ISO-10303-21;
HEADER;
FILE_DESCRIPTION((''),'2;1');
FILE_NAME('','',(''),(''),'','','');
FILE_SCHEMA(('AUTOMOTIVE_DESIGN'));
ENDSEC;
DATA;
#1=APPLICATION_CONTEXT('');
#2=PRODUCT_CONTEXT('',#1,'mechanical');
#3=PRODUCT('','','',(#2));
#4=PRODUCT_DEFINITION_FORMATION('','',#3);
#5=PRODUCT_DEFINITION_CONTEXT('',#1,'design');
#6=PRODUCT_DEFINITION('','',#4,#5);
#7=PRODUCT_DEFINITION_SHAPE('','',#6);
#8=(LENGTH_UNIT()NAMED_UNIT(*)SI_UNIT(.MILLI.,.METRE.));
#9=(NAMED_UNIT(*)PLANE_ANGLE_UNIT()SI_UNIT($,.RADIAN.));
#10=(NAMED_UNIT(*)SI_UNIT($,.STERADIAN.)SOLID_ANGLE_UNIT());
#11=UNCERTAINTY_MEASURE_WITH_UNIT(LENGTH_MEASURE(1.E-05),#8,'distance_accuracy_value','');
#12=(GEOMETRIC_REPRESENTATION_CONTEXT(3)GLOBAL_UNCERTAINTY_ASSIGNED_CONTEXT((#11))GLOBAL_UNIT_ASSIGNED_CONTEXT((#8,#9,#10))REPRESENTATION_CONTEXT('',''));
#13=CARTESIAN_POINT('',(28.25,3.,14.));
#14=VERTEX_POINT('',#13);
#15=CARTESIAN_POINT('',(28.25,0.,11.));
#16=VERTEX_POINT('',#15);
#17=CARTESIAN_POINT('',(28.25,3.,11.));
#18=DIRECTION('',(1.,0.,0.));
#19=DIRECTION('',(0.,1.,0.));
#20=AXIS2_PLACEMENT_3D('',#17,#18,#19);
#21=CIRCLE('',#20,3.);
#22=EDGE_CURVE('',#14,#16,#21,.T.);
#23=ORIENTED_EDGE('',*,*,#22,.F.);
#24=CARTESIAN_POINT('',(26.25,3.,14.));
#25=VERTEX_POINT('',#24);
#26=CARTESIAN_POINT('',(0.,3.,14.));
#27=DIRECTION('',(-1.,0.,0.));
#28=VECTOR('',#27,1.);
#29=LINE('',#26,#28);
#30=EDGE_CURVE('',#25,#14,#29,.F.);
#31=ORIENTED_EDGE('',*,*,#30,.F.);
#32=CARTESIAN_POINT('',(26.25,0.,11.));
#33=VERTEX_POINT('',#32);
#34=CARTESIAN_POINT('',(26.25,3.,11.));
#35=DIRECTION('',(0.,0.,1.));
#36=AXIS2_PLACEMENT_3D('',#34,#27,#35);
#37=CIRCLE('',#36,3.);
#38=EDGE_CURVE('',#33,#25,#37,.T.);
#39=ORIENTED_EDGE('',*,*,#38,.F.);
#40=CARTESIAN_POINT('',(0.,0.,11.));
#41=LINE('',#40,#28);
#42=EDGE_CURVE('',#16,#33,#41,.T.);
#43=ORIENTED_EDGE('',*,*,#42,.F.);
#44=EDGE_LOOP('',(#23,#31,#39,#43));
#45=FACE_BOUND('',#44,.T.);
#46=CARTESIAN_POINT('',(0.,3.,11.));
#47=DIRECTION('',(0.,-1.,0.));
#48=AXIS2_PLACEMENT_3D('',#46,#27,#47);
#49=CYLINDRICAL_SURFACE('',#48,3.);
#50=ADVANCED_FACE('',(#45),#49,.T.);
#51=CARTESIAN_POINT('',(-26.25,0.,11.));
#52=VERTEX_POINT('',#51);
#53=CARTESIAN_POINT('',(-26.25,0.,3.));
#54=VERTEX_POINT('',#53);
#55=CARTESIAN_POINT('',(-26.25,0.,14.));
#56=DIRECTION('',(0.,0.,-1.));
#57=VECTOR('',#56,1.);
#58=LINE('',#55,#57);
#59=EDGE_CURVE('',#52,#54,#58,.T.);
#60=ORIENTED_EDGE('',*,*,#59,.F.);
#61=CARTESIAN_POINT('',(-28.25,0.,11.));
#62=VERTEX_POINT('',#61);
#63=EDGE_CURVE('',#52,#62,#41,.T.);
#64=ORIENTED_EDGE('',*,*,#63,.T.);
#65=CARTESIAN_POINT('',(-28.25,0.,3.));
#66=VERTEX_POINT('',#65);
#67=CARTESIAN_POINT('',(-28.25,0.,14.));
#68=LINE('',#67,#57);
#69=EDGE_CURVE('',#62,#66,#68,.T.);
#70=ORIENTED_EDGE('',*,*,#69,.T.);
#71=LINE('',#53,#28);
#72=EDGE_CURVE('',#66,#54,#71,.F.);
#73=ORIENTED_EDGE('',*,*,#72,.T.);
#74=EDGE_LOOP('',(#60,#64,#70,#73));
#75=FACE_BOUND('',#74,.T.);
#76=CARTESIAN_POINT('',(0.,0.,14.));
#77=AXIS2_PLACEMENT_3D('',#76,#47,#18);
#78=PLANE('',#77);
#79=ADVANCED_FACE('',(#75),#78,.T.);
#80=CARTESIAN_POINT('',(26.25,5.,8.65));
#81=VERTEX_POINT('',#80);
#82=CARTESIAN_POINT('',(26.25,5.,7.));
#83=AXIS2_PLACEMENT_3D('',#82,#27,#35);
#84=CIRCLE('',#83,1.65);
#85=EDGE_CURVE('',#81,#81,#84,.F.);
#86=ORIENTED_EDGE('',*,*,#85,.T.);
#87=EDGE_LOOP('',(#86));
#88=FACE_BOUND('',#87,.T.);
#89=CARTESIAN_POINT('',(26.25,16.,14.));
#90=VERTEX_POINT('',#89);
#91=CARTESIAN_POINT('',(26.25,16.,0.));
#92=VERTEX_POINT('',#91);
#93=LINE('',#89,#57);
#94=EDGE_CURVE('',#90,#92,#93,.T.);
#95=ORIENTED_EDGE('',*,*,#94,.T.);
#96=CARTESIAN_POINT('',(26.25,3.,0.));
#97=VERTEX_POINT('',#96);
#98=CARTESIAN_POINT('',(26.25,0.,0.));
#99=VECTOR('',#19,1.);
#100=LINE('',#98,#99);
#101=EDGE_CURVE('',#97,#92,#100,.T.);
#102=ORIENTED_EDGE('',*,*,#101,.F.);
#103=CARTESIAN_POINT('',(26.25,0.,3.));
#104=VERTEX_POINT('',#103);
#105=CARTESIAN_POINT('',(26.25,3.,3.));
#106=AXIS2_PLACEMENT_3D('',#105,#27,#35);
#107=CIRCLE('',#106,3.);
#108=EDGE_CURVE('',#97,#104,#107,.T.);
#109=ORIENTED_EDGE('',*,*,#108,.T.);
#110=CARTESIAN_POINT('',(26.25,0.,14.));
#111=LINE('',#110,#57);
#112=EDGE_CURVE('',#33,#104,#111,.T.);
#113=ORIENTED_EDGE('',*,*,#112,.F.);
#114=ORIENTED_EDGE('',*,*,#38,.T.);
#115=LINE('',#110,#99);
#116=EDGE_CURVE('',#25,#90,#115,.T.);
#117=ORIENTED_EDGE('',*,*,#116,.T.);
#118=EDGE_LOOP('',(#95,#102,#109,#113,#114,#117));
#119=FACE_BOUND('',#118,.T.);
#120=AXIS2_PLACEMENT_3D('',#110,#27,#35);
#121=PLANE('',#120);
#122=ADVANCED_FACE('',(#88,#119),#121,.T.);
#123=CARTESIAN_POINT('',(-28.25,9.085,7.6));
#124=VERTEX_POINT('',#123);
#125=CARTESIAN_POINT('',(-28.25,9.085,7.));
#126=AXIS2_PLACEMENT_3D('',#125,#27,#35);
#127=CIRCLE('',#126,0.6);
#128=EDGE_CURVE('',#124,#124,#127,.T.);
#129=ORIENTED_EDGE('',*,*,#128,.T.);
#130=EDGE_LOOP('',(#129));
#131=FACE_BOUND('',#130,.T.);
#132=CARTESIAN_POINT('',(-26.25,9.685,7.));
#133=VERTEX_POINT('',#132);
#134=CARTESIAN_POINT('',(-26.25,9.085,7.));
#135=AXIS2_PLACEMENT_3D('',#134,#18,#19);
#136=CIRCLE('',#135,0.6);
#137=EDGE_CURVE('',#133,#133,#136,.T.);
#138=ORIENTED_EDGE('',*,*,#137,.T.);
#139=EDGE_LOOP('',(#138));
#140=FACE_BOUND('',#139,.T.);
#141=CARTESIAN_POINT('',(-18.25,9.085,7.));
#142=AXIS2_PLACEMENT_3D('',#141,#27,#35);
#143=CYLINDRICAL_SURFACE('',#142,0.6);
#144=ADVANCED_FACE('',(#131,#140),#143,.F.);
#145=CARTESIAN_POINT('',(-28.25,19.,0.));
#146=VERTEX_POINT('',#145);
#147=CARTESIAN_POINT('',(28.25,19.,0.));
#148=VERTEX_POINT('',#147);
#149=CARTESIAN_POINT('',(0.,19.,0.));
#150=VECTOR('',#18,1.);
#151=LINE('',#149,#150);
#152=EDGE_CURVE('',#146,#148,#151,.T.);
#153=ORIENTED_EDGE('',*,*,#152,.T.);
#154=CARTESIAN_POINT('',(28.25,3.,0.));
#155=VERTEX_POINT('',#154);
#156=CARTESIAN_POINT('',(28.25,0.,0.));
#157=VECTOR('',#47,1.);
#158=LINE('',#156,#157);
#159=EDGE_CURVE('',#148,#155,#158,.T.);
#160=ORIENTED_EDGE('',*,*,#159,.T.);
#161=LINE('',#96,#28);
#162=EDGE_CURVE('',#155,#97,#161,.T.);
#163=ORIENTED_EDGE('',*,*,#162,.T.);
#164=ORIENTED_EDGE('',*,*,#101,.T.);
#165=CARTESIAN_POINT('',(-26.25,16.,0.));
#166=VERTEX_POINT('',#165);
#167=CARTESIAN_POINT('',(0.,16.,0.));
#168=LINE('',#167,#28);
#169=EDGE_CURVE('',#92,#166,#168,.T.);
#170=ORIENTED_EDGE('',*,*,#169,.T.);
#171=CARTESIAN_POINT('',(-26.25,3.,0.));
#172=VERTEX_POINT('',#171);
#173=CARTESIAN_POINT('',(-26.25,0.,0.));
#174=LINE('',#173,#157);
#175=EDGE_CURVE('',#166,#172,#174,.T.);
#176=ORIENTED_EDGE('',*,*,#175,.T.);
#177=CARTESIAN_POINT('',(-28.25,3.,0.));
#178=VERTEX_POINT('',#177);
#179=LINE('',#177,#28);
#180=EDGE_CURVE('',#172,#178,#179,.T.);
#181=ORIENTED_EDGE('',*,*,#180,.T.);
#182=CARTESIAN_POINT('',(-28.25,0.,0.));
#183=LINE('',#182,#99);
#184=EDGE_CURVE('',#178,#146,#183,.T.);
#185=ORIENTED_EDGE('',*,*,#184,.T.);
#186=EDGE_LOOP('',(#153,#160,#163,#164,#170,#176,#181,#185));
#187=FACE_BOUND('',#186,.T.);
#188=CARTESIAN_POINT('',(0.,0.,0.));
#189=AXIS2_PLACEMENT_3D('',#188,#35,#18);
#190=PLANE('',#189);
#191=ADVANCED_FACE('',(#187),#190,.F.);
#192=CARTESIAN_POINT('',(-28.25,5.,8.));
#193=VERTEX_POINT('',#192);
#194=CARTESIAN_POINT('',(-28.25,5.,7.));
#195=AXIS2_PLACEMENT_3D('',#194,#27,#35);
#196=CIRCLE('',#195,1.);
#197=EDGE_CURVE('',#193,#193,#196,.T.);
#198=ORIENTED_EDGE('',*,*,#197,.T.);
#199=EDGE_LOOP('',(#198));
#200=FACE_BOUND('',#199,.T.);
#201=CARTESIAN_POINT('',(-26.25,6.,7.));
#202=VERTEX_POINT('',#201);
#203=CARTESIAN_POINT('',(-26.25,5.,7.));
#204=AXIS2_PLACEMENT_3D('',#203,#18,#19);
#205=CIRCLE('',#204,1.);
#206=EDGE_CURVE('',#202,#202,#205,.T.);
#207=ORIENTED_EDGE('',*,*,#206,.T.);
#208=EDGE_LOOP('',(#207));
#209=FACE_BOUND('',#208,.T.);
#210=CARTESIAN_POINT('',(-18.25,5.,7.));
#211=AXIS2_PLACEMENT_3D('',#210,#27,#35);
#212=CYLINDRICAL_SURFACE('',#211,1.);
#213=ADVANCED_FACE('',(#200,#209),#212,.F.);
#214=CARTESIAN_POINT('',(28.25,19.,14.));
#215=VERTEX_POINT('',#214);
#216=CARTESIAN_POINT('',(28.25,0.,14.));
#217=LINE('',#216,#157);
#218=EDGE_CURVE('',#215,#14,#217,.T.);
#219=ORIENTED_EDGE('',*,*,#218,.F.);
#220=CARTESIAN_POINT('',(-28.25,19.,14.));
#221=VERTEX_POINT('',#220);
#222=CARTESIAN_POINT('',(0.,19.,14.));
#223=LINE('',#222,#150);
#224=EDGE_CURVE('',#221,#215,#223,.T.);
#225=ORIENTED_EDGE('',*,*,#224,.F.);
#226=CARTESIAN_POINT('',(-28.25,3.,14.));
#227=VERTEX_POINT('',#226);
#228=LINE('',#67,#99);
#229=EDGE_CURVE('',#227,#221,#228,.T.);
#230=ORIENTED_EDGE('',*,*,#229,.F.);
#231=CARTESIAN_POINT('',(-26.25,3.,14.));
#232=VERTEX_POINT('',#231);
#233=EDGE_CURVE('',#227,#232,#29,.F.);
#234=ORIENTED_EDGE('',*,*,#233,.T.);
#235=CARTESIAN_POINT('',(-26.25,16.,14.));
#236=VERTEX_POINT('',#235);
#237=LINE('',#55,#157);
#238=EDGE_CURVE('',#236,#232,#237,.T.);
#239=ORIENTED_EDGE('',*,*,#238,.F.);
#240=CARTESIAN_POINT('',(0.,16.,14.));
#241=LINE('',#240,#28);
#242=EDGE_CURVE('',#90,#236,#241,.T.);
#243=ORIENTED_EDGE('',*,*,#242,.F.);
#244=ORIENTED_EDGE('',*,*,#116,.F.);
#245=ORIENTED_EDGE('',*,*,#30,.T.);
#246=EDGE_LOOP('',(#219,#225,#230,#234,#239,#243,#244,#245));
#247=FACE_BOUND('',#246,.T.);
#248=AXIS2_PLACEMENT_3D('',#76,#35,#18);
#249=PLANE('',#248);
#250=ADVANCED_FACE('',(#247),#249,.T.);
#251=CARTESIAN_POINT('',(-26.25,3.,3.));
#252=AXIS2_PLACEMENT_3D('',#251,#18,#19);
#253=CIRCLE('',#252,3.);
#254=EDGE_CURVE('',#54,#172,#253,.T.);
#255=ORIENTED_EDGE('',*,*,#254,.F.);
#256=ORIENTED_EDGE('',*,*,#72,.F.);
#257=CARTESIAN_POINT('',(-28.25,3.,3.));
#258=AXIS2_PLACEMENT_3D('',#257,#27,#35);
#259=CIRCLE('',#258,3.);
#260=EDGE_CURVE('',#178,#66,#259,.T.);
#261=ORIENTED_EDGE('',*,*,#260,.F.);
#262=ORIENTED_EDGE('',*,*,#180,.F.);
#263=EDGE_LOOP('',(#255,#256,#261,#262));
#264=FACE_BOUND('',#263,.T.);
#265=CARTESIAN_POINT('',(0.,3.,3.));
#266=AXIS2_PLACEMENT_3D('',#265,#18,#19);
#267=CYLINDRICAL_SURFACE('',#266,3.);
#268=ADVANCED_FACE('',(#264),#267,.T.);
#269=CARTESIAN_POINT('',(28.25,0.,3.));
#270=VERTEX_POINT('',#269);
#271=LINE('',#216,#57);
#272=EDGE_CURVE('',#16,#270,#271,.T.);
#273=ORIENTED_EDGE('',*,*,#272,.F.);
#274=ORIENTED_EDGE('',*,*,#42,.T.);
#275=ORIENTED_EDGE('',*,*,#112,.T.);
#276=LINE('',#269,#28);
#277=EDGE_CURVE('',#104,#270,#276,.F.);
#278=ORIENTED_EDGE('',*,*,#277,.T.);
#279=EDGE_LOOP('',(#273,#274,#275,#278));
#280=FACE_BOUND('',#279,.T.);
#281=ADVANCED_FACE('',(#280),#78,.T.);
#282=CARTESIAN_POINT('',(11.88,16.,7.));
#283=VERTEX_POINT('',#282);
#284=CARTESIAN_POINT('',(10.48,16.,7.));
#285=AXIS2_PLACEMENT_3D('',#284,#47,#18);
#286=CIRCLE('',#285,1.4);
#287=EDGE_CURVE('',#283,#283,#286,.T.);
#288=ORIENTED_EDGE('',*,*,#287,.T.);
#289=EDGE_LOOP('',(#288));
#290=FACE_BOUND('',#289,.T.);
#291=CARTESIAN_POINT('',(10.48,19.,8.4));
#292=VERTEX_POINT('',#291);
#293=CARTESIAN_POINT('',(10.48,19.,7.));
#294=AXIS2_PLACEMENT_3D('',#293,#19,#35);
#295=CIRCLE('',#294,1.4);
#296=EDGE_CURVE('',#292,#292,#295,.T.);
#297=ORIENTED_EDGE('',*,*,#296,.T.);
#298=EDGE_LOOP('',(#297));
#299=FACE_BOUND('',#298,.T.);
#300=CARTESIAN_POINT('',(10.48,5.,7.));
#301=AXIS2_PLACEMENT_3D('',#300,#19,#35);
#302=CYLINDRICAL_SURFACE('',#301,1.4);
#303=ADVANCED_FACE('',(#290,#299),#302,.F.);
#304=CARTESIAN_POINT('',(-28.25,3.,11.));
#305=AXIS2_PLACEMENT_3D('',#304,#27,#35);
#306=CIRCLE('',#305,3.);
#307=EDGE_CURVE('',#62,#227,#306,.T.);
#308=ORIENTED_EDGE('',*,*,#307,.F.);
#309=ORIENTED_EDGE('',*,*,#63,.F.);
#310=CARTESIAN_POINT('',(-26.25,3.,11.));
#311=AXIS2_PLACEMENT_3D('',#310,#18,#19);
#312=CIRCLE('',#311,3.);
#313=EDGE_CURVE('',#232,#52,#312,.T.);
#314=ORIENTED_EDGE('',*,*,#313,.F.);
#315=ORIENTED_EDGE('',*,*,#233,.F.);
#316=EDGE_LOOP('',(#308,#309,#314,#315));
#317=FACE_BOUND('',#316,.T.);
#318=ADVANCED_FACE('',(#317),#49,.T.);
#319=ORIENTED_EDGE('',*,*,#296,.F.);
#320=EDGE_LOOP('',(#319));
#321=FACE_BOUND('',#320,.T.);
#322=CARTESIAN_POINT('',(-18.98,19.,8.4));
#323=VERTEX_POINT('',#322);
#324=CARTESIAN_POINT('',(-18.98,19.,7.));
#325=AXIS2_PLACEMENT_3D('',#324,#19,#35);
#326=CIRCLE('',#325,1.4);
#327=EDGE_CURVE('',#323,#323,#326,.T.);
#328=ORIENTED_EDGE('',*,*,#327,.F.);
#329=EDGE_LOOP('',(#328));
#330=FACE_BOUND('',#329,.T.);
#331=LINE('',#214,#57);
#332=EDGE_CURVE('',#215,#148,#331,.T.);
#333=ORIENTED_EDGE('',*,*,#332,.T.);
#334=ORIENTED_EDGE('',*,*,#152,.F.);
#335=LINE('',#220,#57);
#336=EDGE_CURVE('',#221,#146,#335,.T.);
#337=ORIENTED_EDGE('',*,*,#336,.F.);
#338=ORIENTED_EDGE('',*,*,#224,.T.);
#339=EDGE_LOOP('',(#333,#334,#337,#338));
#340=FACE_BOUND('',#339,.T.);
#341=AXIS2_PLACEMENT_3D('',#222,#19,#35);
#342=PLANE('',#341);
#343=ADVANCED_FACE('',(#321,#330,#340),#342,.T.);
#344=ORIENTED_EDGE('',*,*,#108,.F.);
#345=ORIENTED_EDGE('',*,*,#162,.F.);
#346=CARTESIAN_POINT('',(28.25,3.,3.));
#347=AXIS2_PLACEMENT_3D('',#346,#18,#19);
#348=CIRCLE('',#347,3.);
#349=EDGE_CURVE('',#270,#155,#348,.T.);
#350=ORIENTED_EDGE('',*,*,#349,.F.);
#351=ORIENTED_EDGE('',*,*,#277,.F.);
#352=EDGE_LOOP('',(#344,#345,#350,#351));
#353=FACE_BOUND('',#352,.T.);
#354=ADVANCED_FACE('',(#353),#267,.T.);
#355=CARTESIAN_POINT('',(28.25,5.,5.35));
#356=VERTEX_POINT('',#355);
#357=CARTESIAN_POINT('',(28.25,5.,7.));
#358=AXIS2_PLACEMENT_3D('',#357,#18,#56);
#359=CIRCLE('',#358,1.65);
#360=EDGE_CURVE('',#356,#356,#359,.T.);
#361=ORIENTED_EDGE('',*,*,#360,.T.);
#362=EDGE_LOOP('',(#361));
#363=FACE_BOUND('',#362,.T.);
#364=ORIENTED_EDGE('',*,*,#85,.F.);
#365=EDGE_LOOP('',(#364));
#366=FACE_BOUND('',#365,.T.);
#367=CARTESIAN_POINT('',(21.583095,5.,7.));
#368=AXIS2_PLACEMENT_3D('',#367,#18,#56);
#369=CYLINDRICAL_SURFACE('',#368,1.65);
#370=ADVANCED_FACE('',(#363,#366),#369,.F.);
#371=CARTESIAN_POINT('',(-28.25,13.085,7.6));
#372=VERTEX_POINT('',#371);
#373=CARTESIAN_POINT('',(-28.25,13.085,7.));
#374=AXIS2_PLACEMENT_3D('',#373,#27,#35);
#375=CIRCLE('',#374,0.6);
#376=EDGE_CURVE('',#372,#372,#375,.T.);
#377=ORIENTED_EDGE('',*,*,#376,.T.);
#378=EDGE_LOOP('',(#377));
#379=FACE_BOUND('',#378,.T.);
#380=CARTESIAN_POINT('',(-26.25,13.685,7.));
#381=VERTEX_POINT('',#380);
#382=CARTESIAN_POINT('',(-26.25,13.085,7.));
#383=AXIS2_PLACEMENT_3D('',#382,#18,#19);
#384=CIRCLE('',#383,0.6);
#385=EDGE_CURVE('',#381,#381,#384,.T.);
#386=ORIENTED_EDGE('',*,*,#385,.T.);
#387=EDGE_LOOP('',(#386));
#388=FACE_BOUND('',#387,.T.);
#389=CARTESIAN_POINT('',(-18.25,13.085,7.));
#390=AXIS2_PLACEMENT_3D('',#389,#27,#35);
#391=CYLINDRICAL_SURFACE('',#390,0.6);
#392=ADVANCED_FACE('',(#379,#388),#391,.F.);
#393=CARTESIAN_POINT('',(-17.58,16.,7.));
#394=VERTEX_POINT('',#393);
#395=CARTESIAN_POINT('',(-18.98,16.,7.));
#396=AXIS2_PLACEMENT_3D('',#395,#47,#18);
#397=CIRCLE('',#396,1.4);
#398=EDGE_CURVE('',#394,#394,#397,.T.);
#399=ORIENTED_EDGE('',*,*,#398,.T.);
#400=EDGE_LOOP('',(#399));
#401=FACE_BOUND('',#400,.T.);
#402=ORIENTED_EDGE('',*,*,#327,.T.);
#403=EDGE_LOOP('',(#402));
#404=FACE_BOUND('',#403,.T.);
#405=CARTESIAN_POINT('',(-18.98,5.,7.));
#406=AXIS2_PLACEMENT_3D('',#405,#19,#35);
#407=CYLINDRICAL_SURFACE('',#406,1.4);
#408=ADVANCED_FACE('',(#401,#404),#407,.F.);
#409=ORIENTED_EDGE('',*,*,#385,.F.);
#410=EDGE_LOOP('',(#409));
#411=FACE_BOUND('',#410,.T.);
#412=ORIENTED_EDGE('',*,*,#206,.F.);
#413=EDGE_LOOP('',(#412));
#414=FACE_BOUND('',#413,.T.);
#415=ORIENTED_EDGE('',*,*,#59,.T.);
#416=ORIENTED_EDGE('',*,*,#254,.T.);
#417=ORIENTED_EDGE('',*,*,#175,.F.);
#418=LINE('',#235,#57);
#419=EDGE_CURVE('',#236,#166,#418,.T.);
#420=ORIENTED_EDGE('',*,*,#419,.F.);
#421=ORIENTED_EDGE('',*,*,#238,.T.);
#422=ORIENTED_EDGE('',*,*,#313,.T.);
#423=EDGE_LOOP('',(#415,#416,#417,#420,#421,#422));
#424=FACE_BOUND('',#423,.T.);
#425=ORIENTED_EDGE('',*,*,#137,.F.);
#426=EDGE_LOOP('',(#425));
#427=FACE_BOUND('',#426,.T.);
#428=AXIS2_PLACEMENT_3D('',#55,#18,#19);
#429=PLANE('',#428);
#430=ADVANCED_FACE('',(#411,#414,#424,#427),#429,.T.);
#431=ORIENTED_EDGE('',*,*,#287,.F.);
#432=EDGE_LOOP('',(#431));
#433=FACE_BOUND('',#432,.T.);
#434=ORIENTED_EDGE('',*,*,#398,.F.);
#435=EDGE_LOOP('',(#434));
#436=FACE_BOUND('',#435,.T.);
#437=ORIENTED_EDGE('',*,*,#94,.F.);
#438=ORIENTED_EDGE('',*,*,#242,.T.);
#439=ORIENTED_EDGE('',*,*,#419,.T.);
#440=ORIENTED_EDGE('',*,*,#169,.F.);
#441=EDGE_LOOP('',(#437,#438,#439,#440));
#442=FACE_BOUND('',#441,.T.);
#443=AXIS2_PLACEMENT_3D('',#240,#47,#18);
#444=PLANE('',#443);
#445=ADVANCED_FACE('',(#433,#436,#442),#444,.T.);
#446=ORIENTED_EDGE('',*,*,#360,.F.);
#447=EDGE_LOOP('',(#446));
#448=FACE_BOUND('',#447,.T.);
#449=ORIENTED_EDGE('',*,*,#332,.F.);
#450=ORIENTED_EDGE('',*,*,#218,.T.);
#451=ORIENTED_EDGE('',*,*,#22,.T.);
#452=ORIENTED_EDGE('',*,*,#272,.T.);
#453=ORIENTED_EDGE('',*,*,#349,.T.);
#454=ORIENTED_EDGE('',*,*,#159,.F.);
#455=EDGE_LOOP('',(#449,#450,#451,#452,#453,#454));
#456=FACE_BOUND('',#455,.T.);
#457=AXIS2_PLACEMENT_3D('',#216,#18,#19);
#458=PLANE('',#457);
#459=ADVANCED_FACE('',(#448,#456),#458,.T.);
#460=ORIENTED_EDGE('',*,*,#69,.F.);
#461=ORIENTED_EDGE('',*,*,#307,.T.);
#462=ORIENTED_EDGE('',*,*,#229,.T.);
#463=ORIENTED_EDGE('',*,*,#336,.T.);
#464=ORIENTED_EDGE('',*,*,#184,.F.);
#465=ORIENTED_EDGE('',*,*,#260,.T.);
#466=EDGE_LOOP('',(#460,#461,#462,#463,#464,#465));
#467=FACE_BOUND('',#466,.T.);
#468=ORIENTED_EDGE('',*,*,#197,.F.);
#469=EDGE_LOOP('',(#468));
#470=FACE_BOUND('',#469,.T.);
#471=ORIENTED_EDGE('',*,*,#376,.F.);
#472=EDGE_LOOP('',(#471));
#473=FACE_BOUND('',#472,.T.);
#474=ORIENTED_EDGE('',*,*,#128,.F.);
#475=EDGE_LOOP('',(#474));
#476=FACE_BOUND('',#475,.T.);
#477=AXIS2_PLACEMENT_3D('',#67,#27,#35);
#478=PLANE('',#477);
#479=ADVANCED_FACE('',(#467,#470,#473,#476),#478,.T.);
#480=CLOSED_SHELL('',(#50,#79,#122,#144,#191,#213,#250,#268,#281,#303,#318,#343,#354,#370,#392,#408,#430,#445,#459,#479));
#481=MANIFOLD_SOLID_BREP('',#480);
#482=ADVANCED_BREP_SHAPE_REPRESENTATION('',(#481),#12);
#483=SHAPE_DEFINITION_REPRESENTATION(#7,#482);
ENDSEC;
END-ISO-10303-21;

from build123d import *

# Parameters (mm, degrees)
EXTRUDE_1_DEPTH     = 14
SKETCH_2_R          = 1.65
CUT_EXTRUDE_1_DEPTH = 2
SKETCH_3_R          = 1.4
CUT_EXTRUDE_2_DEPTH = 14
FILLET_1_R          = 3
SKETCH_5_R          = 0.6
SKETCH_5_R_2        = 1
CUT_EXTRUDE_3_DEPTH = 10


with BuildPart() as part:
    # 草图1 → 凸台-拉伸1 (new body)
    with BuildSketch(Plane.XY):
        Polygon((-28.25, 0), (-28.25, 19), (28.25, 19), (28.25, 0), (26.25, 0), (26.25, 16), (-26.25, 16), (-26.25, 0), align=None)
    extrude(amount=EXTRUDE_1_DEPTH)

    # 草图2 → 切除-拉伸1 (cut)
    with BuildSketch(Plane(origin=(28.25, 0, 0), x_dir=(0, 0, -1), z_dir=(1, 0, 0))):
        with Locations((-7, 5)):
            Circle(SKETCH_2_R)
    extrude(amount=-CUT_EXTRUDE_1_DEPTH, mode=Mode.SUBTRACT)

    # 草图3 → 切除-拉伸2 (cut)
    with BuildSketch(Plane(origin=(0, 19, 0), x_dir=(1, 0, 0), z_dir=(0, 1, 0))):
        with Locations((-18.98, -7)):
            Circle(SKETCH_3_R)
        with Locations((10.48, -7)):
            Circle(SKETCH_3_R)
    extrude(amount=-CUT_EXTRUDE_2_DEPTH, mode=Mode.SUBTRACT)

    # 圆角1
    fillet_1_edges = [part.edges().sort_by_distance(p)[0] for p in [
        (-27.25, 0, 0),
        (27.25, 0, 0),
        (27.25, 0, 14),
        (-27.25, 0, 14),
    ]]
    fillet(fillet_1_edges, radius=FILLET_1_R)

    # 草图5 → 切除-拉伸3 (cut)
    with BuildSketch(Plane.ZY.offset(28.25)):
        with Locations((7, 9.085)):
            Circle(SKETCH_5_R)
        with Locations((7, 13.085)):
            Circle(SKETCH_5_R)
        with Locations((7, 5)):
            Circle(SKETCH_5_R_2)
    extrude(amount=-CUT_EXTRUDE_3_DEPTH, mode=Mode.SUBTRACT)


solid = part.part
